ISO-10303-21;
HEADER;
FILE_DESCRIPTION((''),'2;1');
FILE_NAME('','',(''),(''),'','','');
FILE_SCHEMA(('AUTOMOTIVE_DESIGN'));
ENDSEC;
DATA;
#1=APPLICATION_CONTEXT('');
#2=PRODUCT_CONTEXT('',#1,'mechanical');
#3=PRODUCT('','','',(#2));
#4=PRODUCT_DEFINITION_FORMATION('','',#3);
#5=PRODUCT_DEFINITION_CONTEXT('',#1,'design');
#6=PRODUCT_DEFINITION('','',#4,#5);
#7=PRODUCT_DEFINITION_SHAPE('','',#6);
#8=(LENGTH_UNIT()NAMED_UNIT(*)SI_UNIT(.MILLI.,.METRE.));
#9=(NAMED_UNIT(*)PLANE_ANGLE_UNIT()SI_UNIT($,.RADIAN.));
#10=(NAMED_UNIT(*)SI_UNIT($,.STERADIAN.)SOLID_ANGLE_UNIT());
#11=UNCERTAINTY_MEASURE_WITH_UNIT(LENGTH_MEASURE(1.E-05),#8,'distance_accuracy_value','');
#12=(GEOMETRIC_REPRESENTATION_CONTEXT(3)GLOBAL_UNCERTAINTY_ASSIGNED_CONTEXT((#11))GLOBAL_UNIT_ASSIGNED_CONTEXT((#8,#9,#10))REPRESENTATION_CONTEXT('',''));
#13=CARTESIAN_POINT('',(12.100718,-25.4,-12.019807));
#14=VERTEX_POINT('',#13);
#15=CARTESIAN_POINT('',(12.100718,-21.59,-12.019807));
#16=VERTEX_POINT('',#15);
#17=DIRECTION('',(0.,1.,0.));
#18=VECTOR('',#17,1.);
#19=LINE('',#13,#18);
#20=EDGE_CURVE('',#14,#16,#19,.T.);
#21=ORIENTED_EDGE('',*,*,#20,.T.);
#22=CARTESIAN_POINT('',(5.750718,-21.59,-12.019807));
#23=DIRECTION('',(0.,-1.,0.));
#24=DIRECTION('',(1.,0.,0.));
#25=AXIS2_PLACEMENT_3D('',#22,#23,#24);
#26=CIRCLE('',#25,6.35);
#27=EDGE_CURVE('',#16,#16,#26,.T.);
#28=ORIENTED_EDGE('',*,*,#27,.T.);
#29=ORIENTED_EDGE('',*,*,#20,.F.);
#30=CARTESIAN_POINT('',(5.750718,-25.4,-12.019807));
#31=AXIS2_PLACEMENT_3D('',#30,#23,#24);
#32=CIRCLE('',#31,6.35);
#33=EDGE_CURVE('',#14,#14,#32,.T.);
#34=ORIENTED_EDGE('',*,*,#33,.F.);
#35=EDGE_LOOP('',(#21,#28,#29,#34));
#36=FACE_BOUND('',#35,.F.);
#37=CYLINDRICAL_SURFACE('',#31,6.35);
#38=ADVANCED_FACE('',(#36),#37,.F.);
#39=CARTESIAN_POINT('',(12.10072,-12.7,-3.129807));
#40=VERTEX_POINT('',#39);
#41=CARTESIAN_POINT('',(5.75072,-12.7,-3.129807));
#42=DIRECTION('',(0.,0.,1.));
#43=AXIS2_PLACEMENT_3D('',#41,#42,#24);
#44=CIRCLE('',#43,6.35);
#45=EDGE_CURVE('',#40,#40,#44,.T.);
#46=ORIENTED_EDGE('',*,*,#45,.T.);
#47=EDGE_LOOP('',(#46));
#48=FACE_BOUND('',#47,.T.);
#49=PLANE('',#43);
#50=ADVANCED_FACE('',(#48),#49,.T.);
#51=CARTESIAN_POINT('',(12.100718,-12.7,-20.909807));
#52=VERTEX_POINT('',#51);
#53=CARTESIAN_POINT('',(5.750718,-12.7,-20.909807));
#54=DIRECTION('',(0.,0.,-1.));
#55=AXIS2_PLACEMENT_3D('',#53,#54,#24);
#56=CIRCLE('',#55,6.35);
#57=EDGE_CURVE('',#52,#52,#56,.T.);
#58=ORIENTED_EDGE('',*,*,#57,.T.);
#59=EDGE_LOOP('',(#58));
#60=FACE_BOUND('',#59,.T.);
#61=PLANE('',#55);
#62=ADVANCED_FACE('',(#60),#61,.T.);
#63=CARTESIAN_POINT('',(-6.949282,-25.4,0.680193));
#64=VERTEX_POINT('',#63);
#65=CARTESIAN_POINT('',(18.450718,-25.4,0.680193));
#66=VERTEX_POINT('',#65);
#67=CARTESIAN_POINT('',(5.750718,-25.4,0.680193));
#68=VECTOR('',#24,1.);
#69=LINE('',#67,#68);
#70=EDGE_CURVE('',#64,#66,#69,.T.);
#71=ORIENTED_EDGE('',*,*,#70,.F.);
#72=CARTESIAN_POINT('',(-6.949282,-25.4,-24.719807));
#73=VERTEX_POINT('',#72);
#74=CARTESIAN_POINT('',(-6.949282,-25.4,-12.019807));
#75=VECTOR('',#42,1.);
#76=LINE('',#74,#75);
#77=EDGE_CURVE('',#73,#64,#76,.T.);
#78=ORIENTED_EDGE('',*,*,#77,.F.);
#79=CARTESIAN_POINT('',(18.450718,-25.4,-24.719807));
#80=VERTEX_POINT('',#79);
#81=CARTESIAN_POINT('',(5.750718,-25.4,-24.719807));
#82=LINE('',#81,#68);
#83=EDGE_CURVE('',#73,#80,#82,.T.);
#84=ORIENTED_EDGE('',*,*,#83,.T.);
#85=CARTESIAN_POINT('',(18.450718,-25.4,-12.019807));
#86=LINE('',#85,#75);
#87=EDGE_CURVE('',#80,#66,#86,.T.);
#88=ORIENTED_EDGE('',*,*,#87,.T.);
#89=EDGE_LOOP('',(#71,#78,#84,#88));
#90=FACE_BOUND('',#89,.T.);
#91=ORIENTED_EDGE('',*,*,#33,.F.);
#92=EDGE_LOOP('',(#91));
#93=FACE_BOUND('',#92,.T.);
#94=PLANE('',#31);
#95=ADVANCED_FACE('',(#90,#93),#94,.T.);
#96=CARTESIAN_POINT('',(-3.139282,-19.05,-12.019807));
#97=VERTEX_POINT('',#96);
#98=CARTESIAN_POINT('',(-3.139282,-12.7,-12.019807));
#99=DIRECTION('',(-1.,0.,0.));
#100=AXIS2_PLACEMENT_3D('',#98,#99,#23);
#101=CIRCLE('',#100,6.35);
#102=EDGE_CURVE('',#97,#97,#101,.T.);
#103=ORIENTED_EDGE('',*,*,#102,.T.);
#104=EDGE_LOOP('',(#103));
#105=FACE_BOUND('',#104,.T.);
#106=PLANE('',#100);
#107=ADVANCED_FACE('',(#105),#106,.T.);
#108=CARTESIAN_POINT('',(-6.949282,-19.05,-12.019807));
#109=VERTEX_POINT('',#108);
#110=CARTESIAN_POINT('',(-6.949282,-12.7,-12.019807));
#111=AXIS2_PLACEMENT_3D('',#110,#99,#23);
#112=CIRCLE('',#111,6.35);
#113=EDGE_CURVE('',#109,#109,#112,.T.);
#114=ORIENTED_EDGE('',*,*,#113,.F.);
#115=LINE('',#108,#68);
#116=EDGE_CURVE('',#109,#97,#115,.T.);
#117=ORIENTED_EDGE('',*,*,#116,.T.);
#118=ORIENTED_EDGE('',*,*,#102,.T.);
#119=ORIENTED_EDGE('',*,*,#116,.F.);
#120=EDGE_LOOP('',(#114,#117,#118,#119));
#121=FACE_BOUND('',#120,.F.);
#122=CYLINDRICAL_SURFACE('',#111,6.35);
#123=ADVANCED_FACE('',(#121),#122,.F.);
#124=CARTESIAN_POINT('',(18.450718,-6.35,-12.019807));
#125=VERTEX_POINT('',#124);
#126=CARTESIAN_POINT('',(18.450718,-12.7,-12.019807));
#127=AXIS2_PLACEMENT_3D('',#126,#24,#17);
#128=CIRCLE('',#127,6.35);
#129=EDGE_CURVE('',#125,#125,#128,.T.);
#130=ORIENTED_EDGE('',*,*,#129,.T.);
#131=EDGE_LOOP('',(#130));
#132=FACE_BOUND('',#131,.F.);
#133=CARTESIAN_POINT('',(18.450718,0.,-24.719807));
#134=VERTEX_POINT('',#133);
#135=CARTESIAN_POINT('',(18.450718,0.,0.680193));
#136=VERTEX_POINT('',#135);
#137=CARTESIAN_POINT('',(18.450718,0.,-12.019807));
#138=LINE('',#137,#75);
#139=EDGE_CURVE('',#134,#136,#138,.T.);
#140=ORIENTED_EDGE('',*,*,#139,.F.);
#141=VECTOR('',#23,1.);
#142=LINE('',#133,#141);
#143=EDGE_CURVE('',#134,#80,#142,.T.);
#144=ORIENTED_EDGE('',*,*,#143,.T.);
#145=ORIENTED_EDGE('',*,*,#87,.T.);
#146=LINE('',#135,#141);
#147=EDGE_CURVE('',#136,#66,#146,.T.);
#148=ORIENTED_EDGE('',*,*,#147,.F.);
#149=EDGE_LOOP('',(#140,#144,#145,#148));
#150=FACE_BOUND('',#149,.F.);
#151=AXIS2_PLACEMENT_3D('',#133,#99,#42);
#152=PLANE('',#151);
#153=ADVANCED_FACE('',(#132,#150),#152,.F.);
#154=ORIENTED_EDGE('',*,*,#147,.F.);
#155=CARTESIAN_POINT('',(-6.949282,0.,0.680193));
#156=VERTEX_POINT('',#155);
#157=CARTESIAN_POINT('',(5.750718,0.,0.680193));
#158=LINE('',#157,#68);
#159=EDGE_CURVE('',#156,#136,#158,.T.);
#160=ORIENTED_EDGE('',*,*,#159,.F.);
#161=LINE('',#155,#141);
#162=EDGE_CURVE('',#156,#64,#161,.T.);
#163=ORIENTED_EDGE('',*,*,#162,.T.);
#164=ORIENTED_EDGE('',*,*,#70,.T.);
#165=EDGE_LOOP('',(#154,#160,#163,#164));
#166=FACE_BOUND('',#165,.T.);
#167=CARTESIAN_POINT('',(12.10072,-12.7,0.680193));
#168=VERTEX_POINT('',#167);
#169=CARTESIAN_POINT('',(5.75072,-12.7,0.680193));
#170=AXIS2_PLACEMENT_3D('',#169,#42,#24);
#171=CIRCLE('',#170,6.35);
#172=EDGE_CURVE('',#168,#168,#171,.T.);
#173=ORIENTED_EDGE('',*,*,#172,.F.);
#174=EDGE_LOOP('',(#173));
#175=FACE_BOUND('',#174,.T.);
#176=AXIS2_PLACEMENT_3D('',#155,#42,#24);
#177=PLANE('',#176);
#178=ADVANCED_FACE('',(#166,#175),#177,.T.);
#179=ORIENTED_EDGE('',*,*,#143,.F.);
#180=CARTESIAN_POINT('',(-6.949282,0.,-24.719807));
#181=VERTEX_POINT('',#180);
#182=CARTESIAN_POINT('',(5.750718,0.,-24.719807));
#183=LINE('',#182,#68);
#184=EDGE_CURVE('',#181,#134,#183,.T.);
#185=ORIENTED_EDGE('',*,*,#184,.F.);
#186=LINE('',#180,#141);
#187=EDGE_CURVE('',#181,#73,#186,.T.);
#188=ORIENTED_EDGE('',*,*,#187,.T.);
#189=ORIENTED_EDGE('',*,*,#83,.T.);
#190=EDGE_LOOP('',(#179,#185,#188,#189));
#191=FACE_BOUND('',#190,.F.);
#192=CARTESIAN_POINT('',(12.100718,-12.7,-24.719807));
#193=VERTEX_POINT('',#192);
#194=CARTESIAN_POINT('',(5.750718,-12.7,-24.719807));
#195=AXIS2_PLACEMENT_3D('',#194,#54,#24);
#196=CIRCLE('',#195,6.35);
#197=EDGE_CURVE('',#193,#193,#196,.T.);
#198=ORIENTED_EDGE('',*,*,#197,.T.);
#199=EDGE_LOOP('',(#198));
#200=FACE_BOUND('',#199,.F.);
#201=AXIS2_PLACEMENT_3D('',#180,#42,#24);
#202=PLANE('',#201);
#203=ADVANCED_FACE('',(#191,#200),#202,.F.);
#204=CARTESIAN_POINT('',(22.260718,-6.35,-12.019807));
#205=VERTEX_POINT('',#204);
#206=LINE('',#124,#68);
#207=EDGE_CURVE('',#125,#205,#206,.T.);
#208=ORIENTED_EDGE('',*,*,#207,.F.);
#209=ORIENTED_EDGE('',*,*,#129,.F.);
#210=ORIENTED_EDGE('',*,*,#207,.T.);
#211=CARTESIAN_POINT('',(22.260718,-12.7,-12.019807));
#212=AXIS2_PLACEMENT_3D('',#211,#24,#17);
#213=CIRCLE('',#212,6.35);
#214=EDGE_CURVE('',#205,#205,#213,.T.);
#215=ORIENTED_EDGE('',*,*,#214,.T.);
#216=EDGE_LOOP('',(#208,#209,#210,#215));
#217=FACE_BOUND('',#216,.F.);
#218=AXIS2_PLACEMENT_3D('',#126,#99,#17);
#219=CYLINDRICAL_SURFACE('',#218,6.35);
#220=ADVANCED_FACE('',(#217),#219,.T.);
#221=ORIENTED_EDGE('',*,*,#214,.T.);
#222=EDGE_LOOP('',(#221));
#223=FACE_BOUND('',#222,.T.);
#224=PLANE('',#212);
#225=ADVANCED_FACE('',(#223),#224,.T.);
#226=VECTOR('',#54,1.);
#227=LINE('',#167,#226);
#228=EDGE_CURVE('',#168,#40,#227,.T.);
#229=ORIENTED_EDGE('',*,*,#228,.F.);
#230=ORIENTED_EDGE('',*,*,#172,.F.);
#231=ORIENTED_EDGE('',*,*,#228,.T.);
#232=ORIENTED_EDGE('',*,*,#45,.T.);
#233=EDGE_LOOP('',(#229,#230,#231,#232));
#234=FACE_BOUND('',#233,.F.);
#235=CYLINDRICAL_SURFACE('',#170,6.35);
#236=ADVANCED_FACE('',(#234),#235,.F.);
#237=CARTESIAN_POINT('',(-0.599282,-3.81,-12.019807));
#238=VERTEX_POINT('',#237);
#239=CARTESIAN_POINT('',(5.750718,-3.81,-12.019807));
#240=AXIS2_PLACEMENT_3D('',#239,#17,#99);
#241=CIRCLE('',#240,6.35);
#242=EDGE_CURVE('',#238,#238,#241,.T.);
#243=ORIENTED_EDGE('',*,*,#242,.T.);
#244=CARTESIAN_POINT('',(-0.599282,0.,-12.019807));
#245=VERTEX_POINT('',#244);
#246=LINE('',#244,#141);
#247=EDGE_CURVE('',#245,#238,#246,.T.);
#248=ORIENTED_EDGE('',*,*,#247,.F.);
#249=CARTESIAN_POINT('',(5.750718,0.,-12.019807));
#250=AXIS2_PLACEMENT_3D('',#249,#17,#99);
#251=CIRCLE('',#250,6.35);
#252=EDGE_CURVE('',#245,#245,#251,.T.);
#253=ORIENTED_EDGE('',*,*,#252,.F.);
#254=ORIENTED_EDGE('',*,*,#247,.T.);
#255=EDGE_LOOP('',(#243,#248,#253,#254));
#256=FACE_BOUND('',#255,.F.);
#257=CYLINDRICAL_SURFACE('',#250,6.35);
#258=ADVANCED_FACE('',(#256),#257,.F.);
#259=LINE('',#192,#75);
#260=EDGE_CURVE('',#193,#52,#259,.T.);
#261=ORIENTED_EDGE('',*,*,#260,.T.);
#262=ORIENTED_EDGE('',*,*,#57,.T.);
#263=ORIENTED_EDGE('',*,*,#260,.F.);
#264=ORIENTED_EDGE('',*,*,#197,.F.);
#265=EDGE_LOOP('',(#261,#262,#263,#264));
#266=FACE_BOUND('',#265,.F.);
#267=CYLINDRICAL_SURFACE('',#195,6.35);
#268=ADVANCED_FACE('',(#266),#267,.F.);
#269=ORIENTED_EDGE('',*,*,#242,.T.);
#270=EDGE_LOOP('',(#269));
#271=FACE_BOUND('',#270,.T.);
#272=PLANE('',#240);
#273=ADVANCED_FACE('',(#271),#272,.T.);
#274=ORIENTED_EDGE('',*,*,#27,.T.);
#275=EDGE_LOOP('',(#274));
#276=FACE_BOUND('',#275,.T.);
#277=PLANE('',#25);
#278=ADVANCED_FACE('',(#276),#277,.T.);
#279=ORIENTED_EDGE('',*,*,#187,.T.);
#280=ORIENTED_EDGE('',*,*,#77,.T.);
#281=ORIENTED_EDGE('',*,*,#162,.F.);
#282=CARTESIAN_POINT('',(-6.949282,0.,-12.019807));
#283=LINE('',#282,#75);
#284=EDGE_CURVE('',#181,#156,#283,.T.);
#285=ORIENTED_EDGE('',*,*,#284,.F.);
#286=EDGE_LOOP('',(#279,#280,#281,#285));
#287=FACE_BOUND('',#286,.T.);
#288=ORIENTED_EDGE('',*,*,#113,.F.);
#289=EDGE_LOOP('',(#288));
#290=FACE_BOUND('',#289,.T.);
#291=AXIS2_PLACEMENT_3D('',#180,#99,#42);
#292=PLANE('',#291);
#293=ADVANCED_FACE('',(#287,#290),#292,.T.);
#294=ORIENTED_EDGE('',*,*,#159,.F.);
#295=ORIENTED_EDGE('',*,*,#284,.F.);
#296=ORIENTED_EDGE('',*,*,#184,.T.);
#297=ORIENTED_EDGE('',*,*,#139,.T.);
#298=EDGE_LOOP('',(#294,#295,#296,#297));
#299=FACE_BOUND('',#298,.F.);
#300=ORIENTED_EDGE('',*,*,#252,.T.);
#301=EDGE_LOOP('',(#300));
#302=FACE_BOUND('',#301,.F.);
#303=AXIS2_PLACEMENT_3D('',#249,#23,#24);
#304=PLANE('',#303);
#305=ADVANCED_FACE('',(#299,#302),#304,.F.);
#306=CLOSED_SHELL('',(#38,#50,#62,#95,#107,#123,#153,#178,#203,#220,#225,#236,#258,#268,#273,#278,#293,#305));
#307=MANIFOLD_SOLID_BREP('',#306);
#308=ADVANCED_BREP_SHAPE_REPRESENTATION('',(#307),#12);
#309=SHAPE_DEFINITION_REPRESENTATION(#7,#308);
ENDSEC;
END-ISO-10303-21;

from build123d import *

# Parameters (mm, degrees)
F0_W      = 25.4
F0_H      = 25.4
F1_DEPTH  = 25.4
F7_R      = 6.35
F8_DEPTH  = 3.81
F6_R      = 6.35
F9_DEPTH  = 3.81
F5_R      = 6.35
F10_DEPTH = 3.81
F4_R      = 6.35
F11_DEPTH = 3.81
F3_R      = 6.35
F12_DEPTH = 3.81
F2_R      = 6.35
F13_DEPTH = 3.81


with BuildPart() as f1:
    # F0 (on Front) → F1 (new body)
    with BuildSketch(Plane.XZ):
        with Locations((5.750718, -12.019807)):
            Rectangle(F0_W, F0_H)
    extrude(amount=F1_DEPTH)

    # F7 (on face) → F8 (cut)
    with BuildSketch(Plane(origin=(0, 0, 0), x_dir=(-1, 0, 0), z_dir=(0, 1, 0))):
        with Locations((-5.750718, -12.019807)):
            Circle(F7_R)
    extrude(amount=-F8_DEPTH, mode=Mode.SUBTRACT)

    # F6 (on face) → F9 (cut)
    with BuildSketch(Plane(origin=(-6.949282, 0, 0), x_dir=(0, -1, 0), z_dir=(-1, 0, 0))):
        with Locations((12.7, -12.019807)):
            Circle(F6_R)
    extrude(amount=-F9_DEPTH, mode=Mode.SUBTRACT)

    # F5 (on face) → F10 (cut)
    with BuildSketch(Plane.XY.offset(0.680193)):
        with Locations((5.75072, -12.7)):
            Circle(F5_R)
    extrude(amount=-F10_DEPTH, mode=Mode.SUBTRACT)

    # F4 (on face) → F11 (join)
    with BuildSketch(Plane.YZ.offset(18.450718)):
        with Locations((-12.7, -12.019807)):
            Circle(F4_R)
    extrude(amount=F11_DEPTH)

    # F3 (on face) → F12 (cut)
    with BuildSketch(Plane(origin=(0, 0, -24.719807), x_dir=(1, 0, 0), z_dir=(0, 0, -1))):
        with Locations((5.750718, 12.7)):
            Circle(F3_R)
    extrude(amount=-F12_DEPTH, mode=Mode.SUBTRACT)

    # F2 (on face) → F13 (cut)
    with BuildSketch(Plane.XZ.offset(25.4)):
        with Locations((5.750718, -12.019807)):
            Circle(F2_R)
    extrude(amount=-F13_DEPTH, mode=Mode.SUBTRACT)


solid = f1.part
